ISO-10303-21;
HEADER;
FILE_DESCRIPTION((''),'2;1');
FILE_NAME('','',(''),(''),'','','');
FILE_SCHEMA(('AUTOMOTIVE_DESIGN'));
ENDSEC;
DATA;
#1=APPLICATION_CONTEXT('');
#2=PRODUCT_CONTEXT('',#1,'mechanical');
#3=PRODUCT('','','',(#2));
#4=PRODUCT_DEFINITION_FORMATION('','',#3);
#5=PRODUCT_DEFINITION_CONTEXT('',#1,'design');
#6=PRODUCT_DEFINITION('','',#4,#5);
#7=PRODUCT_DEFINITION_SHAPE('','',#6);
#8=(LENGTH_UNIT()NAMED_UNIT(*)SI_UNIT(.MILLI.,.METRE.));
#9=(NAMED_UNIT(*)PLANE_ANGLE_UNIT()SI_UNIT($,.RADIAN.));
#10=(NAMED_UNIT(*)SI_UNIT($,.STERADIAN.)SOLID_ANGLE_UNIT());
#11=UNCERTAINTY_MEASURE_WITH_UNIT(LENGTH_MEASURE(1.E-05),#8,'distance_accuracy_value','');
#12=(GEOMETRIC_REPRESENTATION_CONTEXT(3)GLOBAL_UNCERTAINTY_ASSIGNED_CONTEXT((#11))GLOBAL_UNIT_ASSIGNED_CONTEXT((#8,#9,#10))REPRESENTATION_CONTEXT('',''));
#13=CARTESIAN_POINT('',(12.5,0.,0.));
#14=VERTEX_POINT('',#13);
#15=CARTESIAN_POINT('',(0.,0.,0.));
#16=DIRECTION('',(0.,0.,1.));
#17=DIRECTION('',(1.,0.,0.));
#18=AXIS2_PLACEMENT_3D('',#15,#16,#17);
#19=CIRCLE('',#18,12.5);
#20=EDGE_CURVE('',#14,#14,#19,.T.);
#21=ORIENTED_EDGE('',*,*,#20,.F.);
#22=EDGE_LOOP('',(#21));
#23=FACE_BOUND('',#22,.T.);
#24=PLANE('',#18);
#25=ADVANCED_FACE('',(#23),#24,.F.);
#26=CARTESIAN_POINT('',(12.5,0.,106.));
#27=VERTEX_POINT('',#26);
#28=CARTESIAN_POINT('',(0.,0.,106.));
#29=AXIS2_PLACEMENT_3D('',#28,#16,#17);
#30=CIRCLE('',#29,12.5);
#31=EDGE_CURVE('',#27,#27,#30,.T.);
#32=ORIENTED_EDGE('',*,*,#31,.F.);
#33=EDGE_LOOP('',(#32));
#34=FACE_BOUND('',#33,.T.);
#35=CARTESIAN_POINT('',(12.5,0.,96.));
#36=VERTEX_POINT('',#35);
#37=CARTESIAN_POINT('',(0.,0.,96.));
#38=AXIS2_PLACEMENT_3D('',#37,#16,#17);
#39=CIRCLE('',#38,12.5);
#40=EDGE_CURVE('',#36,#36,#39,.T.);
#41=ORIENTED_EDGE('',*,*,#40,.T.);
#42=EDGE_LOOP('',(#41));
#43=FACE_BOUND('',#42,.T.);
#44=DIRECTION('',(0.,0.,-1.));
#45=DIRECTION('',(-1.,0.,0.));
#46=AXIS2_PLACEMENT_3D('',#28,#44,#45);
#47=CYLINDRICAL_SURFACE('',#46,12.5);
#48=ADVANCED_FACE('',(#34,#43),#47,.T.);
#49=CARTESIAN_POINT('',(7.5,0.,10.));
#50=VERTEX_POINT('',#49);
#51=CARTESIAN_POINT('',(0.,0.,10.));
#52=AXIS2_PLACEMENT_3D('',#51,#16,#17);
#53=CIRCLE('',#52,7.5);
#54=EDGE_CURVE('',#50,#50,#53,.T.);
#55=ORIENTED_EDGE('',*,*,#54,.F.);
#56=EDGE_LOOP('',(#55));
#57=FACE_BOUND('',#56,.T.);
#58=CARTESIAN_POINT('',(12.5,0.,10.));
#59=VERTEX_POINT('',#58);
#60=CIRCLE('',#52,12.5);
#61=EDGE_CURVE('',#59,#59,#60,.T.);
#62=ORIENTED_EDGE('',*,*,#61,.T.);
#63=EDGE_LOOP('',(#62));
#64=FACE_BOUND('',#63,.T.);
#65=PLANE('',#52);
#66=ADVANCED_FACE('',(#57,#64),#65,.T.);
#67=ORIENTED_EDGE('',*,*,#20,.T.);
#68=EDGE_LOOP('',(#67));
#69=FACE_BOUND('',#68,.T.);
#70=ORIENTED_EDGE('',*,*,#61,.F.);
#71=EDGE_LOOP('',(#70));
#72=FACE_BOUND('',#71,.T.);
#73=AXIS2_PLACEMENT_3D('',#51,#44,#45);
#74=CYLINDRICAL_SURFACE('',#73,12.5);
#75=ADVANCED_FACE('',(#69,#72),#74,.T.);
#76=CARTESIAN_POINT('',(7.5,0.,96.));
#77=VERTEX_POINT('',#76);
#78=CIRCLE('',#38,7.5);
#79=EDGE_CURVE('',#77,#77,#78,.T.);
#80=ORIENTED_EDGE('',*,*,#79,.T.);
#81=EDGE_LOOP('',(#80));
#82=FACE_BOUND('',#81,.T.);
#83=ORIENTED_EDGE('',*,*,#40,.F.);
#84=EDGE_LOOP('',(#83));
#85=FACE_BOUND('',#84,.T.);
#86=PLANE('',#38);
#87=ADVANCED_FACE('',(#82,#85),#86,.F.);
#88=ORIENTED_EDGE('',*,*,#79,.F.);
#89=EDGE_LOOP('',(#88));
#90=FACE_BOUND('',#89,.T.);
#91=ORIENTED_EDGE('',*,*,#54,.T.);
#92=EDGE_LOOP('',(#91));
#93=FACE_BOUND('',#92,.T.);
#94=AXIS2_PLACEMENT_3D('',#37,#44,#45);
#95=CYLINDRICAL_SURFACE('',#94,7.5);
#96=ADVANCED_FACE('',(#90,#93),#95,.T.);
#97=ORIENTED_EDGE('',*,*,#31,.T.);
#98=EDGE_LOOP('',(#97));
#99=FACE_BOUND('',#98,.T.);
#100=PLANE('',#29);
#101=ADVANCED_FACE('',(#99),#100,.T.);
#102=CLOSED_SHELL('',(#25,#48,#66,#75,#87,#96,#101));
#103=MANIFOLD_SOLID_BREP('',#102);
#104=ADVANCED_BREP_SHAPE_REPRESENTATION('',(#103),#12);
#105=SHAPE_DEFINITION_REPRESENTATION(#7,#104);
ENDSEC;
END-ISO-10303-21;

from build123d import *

# Parameters (mm, degrees)
SKETCH1_R           = 12.5
BOSS_EXTRUDE1_DEPTH = 10
SKETCH2_R           = 7.5
BOSS_EXTRUDE2_DEPTH = 86
SKETCH4_R           = 12.5
BOSS_EXTRUDE3_DEPTH = 10


with BuildPart() as part:
    # Sketch1 → Boss-Extrude1 (new body)
    with BuildSketch(Plane.XY):
        Circle(SKETCH1_R)
    extrude(amount=BOSS_EXTRUDE1_DEPTH)

    # Sketch2 → Boss-Extrude2 (add)
    with BuildSketch(Plane.XY.offset(10)):
        Circle(SKETCH2_R)
    extrude(amount=BOSS_EXTRUDE2_DEPTH)

    # Sketch4 → Boss-Extrude3 (add)
    with BuildSketch(Plane.XY.offset(96)):
        Circle(SKETCH4_R)
    extrude(amount=BOSS_EXTRUDE3_DEPTH)


solid = part.part
